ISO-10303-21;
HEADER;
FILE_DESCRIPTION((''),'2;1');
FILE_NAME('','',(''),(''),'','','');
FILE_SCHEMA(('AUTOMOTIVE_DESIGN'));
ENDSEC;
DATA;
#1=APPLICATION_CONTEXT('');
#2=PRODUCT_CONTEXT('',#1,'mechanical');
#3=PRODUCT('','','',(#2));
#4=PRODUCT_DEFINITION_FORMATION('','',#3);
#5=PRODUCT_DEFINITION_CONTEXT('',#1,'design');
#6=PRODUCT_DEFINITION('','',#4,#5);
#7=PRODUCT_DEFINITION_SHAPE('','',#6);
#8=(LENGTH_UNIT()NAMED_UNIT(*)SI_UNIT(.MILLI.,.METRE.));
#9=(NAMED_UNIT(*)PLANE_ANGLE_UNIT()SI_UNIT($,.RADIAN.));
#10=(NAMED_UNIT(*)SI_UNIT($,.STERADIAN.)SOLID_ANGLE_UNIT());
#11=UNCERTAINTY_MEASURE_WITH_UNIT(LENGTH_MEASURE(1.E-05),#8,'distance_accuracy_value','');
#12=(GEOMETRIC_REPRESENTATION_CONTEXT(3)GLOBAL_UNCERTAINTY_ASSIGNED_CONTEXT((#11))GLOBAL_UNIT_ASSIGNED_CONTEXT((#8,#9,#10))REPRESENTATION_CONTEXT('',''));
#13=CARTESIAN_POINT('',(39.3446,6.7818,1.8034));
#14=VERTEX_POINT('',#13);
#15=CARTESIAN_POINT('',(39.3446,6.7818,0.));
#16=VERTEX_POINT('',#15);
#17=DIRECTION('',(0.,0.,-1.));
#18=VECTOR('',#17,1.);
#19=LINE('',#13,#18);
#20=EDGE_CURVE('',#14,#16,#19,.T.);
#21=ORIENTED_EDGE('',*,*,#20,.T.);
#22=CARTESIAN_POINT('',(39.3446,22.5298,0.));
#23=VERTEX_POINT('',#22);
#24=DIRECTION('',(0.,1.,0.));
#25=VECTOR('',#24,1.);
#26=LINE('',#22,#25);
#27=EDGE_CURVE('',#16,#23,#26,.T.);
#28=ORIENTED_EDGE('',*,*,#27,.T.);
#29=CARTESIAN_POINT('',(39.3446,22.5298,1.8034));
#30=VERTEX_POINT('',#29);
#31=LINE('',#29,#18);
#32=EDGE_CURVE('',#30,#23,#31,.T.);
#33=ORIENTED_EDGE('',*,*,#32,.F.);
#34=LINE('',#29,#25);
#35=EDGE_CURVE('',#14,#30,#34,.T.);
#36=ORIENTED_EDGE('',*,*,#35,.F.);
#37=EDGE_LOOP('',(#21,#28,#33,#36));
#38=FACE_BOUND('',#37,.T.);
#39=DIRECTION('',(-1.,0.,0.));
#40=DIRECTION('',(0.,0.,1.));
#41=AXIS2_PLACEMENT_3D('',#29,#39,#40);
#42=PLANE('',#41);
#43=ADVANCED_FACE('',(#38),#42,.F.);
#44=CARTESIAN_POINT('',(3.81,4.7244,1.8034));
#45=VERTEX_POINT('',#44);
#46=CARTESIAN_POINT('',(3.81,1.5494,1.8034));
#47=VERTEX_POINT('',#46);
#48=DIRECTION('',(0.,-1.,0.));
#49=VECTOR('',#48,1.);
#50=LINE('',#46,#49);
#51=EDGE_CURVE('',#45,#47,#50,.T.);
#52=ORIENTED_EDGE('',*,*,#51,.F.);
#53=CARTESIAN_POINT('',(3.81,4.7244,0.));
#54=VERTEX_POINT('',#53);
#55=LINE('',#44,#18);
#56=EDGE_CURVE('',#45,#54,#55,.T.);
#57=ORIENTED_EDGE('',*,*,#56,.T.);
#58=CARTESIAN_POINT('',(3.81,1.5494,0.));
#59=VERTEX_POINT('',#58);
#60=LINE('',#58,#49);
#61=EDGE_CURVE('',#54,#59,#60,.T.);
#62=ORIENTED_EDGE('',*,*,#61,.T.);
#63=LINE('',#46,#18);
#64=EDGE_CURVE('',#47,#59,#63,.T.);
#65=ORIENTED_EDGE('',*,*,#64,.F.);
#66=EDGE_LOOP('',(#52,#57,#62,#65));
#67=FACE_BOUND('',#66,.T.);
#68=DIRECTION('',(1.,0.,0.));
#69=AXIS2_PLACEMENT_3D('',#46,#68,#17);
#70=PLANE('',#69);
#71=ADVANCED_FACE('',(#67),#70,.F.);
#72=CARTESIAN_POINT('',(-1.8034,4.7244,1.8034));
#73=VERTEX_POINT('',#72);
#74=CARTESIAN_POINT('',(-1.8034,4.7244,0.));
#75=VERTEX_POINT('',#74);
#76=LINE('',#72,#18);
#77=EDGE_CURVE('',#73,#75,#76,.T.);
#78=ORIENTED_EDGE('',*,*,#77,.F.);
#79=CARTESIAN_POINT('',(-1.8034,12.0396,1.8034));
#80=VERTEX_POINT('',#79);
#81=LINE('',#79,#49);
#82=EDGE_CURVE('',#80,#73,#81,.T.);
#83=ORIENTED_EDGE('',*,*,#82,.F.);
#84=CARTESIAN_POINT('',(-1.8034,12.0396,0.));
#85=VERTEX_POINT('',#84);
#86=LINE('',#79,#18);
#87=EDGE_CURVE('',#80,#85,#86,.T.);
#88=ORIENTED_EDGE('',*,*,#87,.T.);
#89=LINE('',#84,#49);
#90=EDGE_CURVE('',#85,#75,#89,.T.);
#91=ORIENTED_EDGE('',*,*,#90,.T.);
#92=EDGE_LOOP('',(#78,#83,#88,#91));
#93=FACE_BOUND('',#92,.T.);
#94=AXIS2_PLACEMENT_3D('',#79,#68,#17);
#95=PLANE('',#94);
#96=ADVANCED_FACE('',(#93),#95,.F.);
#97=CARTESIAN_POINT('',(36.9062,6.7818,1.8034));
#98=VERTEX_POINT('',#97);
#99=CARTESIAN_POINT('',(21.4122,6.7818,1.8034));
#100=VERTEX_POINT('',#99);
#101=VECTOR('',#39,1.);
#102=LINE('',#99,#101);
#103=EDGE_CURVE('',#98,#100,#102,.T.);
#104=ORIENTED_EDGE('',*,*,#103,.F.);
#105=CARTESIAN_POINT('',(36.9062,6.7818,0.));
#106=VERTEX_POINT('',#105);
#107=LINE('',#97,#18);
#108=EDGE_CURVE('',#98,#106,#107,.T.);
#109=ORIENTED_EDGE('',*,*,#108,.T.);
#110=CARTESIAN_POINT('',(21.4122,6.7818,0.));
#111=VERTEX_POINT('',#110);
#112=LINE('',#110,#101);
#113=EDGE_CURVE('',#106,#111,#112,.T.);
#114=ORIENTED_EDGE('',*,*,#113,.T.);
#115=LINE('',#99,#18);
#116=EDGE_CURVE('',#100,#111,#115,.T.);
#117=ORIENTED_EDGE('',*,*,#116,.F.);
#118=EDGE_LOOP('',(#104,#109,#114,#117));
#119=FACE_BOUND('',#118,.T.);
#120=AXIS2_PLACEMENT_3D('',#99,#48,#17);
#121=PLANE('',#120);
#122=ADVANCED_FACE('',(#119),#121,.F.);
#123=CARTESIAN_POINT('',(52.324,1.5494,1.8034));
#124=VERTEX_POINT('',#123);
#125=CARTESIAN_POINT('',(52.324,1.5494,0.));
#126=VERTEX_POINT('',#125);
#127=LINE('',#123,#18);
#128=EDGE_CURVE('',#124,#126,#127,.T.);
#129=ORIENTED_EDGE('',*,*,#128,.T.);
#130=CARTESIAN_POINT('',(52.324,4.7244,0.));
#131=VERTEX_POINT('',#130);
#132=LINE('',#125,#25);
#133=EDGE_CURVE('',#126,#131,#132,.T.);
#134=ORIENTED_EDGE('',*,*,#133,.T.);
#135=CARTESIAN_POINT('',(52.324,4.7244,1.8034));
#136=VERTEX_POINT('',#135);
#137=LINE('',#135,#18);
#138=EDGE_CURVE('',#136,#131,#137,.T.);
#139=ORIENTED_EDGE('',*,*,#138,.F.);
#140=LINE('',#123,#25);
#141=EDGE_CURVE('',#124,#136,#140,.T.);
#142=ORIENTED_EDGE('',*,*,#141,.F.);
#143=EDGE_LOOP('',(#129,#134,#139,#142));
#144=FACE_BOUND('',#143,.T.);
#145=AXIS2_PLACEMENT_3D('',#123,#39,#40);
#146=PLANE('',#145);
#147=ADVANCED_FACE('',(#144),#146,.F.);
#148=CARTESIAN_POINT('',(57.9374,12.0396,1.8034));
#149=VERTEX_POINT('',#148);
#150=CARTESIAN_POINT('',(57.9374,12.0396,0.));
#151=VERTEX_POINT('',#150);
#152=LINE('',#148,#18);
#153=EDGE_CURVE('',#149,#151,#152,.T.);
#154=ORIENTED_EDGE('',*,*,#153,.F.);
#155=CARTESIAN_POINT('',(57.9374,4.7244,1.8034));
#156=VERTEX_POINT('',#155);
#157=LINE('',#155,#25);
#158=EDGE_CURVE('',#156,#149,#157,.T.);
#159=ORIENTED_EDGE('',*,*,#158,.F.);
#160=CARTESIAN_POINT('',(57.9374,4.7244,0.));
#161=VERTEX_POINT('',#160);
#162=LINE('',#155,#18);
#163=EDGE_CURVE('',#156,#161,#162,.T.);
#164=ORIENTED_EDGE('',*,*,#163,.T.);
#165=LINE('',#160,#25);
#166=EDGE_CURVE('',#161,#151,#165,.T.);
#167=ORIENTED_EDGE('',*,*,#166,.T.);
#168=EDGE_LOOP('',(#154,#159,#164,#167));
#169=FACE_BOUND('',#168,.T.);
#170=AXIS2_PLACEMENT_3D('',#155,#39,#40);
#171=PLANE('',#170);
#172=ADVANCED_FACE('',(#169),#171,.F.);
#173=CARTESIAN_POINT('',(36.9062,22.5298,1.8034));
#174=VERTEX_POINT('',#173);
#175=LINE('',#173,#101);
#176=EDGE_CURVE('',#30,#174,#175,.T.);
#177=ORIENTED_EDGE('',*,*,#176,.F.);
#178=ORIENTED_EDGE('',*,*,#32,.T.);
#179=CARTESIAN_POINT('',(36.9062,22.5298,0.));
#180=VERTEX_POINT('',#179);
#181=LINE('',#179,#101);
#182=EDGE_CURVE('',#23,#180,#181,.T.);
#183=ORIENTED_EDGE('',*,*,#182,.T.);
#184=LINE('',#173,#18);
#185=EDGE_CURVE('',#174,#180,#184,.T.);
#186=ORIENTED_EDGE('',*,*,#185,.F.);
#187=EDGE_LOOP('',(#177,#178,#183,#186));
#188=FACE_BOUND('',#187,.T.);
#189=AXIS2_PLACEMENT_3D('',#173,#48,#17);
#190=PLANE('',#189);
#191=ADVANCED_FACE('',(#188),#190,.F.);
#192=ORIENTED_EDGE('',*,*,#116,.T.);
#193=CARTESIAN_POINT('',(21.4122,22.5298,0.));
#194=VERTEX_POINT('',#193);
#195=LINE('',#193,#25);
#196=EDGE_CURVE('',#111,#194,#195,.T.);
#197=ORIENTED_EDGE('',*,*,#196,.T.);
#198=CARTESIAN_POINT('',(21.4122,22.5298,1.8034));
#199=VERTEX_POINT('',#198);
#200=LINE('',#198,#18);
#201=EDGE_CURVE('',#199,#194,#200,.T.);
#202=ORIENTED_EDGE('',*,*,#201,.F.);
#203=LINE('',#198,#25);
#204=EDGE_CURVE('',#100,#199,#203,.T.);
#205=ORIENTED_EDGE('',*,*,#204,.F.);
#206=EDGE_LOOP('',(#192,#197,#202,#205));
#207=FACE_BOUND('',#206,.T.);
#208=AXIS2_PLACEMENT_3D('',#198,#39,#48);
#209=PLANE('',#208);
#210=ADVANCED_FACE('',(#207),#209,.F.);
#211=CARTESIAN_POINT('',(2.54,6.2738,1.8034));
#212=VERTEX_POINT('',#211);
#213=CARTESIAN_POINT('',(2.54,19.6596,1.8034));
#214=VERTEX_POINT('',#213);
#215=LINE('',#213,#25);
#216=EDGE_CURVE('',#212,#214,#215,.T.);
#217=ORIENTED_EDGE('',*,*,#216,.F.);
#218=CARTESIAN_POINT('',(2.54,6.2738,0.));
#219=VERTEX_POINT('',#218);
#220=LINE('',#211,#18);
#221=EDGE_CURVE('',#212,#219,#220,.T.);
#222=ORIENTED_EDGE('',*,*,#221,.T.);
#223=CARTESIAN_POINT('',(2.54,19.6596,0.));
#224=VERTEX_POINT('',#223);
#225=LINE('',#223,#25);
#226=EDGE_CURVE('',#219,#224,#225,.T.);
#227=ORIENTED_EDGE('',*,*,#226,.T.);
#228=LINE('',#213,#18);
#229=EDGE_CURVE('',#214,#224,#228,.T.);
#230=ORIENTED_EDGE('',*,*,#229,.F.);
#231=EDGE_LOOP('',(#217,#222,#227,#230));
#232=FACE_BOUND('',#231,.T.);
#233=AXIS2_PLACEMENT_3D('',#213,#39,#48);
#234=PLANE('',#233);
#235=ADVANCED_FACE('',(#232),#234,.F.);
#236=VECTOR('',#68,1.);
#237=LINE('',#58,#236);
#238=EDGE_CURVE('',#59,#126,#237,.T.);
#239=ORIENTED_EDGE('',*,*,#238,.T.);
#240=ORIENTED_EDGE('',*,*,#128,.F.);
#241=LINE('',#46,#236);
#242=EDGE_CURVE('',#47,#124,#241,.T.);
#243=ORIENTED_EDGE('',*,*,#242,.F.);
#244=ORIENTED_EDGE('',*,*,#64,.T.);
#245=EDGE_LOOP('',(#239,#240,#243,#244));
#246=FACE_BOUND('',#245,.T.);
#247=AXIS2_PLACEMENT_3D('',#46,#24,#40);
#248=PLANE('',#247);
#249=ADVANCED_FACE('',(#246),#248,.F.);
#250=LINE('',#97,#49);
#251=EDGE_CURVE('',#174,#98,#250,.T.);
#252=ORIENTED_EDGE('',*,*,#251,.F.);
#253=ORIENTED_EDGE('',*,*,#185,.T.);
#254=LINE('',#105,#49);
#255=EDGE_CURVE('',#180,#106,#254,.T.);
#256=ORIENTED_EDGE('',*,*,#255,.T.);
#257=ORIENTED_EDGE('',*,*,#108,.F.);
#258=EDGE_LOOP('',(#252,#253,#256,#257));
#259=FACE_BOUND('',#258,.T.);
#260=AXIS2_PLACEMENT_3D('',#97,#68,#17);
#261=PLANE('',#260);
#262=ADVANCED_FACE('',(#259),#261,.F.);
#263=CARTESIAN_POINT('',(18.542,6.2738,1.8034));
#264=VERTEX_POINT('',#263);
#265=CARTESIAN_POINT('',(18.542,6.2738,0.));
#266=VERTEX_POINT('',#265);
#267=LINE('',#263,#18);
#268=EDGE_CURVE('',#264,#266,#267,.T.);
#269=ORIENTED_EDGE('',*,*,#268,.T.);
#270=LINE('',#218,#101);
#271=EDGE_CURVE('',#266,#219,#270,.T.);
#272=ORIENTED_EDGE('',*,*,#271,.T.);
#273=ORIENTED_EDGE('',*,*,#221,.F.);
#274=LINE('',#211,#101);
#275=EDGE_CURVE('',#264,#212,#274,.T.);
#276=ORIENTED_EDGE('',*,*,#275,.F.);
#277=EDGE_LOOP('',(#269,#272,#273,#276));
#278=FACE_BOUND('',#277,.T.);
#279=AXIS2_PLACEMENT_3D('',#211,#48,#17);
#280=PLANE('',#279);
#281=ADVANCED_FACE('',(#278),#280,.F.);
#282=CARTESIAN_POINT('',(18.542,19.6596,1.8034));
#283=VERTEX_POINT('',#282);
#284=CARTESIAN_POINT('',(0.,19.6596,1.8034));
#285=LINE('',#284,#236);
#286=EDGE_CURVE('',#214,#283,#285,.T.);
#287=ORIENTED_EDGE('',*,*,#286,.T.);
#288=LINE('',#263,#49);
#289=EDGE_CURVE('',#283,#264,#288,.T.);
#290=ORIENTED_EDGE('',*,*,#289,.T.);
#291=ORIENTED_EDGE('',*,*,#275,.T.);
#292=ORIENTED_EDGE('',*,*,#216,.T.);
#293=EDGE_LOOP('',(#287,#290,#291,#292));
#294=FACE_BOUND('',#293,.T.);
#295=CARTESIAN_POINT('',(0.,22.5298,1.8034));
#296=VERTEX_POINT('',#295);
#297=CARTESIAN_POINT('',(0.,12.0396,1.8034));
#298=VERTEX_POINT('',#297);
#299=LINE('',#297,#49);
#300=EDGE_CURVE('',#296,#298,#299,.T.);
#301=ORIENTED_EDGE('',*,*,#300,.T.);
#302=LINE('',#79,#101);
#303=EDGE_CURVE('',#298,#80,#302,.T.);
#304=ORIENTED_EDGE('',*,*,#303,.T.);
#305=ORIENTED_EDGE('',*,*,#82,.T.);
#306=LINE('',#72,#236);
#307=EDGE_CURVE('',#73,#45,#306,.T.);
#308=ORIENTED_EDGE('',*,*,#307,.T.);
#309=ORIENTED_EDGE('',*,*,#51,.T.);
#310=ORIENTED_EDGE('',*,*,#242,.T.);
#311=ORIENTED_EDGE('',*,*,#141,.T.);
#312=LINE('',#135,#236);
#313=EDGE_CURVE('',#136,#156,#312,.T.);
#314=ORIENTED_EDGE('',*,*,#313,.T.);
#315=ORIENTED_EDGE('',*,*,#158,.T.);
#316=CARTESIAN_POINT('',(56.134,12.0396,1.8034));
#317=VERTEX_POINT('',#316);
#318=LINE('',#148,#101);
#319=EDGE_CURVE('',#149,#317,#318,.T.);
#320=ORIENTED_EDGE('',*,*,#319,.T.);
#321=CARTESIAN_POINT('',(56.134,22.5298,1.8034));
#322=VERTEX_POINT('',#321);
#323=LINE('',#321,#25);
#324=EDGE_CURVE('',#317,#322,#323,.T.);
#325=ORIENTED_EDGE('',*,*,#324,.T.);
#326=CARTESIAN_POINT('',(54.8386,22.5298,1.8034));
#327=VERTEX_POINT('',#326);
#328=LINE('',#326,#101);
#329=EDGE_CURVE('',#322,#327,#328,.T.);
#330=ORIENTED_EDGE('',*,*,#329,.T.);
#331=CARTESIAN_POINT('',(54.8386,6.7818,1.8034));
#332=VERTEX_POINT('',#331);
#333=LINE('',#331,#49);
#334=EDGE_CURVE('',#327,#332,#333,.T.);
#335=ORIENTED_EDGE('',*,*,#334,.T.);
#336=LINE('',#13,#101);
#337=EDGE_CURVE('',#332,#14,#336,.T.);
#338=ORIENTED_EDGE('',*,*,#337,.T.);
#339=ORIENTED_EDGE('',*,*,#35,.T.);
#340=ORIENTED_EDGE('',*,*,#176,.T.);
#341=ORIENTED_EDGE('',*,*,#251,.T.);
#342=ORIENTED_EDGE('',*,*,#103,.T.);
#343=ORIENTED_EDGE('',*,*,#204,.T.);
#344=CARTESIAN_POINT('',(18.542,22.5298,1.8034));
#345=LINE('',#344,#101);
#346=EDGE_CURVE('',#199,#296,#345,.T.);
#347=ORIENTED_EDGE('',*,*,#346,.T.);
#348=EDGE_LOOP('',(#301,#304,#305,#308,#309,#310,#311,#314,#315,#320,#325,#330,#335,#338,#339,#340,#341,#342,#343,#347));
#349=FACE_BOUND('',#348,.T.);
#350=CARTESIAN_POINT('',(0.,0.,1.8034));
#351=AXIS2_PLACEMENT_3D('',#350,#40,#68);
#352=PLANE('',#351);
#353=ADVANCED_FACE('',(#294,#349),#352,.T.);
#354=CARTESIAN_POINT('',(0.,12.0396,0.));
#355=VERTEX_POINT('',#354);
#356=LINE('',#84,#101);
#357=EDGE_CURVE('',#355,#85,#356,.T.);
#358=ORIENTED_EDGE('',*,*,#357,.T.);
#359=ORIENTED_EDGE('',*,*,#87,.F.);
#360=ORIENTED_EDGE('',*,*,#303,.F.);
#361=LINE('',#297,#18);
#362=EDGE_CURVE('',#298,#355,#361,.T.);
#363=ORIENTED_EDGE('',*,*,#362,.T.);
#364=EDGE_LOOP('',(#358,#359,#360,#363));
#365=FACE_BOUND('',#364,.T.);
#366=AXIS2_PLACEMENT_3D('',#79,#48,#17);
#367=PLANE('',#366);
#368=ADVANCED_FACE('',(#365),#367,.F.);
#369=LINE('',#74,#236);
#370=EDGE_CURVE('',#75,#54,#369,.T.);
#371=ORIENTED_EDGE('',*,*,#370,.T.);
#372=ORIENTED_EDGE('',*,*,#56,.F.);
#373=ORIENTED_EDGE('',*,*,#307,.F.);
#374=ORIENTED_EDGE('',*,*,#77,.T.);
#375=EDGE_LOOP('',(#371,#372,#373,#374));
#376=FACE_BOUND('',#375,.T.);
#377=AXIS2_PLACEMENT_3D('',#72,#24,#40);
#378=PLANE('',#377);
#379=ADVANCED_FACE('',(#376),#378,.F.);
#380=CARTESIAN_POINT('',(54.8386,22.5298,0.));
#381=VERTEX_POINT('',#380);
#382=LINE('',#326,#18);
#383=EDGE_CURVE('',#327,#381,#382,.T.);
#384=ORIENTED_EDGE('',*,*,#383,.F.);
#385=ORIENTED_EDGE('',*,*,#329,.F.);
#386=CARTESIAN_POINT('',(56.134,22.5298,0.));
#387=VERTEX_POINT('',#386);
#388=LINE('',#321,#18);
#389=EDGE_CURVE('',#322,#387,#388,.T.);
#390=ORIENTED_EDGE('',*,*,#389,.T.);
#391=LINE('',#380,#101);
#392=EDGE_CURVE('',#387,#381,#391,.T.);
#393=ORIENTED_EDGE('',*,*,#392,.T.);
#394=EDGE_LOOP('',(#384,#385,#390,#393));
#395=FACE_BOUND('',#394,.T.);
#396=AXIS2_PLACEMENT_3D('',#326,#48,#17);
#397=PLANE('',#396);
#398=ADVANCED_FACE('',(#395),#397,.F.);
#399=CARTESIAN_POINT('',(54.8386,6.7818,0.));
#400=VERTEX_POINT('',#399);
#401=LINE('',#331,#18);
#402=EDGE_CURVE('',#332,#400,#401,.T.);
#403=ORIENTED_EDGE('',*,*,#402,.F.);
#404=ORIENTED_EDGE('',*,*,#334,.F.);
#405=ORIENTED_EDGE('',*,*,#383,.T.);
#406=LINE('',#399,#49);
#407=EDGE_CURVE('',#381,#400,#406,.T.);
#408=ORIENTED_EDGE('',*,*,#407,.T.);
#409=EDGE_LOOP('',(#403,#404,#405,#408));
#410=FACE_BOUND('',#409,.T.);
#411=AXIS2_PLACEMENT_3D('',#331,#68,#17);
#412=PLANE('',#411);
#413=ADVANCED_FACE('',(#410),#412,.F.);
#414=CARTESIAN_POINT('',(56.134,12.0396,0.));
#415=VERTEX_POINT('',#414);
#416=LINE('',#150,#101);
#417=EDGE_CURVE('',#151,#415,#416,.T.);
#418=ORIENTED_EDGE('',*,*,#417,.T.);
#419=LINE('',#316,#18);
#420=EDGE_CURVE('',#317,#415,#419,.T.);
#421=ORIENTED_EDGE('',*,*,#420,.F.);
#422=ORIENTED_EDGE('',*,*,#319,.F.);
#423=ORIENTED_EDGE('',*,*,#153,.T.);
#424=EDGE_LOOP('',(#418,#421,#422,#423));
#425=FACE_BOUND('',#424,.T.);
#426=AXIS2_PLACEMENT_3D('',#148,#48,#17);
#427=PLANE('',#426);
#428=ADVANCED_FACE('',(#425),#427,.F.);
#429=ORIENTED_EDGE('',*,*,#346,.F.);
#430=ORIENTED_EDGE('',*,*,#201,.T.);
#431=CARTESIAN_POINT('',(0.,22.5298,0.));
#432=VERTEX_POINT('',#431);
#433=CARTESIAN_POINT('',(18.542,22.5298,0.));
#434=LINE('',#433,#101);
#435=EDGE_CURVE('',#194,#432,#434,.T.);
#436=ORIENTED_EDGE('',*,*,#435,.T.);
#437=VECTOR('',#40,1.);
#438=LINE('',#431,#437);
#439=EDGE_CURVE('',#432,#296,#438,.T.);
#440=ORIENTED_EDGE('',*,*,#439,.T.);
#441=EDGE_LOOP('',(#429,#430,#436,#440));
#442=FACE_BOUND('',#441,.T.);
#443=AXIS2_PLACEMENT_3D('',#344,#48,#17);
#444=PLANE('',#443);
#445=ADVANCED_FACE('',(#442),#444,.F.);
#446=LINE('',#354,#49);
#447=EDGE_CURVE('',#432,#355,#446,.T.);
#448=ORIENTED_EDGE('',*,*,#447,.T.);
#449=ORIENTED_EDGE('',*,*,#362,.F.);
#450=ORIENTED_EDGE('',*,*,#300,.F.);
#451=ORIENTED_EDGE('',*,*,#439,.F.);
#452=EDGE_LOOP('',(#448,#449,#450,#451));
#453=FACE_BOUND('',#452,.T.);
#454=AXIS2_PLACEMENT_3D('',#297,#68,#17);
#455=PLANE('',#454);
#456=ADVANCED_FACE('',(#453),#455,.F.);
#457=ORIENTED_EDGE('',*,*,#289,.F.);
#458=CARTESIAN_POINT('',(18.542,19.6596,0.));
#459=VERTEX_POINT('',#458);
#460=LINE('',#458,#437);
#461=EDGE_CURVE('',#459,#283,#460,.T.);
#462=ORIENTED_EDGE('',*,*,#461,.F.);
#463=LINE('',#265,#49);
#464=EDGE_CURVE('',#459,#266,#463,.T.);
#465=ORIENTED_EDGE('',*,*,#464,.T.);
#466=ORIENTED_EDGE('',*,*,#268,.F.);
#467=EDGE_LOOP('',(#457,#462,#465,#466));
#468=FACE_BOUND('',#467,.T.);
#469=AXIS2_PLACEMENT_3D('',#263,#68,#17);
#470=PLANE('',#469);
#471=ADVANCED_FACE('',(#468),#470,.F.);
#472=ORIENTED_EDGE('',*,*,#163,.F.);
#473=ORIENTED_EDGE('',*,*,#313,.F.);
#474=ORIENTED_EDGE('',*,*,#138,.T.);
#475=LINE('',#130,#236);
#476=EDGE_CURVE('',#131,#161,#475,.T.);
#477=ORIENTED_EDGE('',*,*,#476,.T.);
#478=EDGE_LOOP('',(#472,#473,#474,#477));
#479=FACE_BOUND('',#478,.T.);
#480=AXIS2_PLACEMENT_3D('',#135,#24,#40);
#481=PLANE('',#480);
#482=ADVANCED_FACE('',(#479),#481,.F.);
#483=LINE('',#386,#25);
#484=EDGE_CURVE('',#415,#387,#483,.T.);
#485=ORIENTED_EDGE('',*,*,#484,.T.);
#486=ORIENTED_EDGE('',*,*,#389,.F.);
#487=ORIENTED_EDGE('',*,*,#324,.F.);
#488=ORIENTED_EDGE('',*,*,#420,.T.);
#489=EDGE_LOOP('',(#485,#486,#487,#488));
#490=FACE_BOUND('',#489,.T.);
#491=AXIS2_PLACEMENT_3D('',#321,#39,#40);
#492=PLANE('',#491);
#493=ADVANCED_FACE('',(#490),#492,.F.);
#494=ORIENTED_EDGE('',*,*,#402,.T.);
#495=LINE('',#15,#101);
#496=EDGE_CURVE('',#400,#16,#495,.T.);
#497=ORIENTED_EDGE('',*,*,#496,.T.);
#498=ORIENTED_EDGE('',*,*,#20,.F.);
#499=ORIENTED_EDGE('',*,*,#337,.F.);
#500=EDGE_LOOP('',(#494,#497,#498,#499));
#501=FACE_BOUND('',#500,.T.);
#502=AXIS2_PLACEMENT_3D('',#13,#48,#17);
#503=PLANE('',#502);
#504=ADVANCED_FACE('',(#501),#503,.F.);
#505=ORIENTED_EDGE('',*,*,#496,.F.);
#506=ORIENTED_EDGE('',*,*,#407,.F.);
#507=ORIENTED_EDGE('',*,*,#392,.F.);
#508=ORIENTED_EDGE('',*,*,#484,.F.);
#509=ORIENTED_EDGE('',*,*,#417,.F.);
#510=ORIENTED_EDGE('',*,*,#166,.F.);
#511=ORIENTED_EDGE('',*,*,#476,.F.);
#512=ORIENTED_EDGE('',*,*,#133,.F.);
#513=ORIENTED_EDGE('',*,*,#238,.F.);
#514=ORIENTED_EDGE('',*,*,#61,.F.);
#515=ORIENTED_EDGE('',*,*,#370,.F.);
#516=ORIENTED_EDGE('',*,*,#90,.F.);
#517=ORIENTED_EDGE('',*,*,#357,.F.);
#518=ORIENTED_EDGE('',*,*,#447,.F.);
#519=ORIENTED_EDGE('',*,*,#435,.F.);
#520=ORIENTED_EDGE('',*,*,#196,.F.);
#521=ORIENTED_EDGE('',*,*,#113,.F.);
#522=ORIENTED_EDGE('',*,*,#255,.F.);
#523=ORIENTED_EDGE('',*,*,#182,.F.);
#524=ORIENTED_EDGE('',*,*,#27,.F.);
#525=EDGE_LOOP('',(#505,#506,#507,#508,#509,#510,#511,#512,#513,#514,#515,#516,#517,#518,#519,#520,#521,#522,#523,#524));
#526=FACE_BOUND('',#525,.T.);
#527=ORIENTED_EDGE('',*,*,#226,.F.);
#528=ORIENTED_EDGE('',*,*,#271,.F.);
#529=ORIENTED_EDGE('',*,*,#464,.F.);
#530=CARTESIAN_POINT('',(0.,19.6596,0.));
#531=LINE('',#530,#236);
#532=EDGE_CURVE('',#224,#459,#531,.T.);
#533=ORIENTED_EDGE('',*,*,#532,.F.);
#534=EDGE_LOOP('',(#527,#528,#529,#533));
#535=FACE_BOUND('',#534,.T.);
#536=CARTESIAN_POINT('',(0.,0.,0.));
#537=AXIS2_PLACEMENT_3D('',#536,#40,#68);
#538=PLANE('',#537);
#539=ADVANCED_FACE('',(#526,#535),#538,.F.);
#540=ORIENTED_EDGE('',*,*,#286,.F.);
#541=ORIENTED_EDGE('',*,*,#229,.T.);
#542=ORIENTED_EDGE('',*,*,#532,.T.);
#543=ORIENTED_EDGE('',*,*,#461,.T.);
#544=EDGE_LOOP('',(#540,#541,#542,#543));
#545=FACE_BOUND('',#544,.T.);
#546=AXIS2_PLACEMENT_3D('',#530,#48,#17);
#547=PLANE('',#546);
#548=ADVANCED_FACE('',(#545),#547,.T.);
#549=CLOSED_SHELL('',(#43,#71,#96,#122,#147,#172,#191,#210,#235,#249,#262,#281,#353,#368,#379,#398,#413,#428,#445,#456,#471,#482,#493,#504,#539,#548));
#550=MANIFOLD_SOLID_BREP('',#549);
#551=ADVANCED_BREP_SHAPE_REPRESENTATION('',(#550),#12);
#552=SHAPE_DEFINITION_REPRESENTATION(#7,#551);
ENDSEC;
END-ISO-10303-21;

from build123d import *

# Parameters (mm, degrees)
BOSS_EXTRUDE1_DEPTH = 1.8034
SKETCH2_W           = 18.542
SKETCH2_H           = 2.8702
BOSS_EXTRUDE2_DEPTH = 1.8034


with BuildPart() as part:
    # Sketch1 → Boss-Extrude1 (new body)
    with BuildSketch(Plane.XY):
        Polygon((-1.8034, 12.0396), (0, 12.0396), (0, 19.6596), (2.54, 19.6596), (2.54, 6.2738), (18.542, 6.2738), (18.542, 22.5298), (21.4122, 22.5298), (21.4122, 6.7818), (36.9062, 6.7818), (36.9062, 22.5298), (39.3446, 22.5298), (39.3446, 6.7818), (54.8386, 6.7818), (54.8386, 22.5298), (56.134, 22.5298), (56.134, 12.0396), (57.9374, 12.0396), (57.9374, 4.7244), (52.324, 4.7244), (52.324, 1.5494), (3.81, 1.5494), (3.81, 4.7244), (-1.8034, 4.7244), align=None)
    extrude(amount=BOSS_EXTRUDE1_DEPTH)

    # Sketch2 → Boss-Extrude2 (add)
    with BuildSketch(Plane.XY.offset(1.8034)):
        with Locations((9.271, 21.0947)):
            Rectangle(SKETCH2_W, SKETCH2_H)
    extrude(amount=-BOSS_EXTRUDE2_DEPTH)


solid = part.part
